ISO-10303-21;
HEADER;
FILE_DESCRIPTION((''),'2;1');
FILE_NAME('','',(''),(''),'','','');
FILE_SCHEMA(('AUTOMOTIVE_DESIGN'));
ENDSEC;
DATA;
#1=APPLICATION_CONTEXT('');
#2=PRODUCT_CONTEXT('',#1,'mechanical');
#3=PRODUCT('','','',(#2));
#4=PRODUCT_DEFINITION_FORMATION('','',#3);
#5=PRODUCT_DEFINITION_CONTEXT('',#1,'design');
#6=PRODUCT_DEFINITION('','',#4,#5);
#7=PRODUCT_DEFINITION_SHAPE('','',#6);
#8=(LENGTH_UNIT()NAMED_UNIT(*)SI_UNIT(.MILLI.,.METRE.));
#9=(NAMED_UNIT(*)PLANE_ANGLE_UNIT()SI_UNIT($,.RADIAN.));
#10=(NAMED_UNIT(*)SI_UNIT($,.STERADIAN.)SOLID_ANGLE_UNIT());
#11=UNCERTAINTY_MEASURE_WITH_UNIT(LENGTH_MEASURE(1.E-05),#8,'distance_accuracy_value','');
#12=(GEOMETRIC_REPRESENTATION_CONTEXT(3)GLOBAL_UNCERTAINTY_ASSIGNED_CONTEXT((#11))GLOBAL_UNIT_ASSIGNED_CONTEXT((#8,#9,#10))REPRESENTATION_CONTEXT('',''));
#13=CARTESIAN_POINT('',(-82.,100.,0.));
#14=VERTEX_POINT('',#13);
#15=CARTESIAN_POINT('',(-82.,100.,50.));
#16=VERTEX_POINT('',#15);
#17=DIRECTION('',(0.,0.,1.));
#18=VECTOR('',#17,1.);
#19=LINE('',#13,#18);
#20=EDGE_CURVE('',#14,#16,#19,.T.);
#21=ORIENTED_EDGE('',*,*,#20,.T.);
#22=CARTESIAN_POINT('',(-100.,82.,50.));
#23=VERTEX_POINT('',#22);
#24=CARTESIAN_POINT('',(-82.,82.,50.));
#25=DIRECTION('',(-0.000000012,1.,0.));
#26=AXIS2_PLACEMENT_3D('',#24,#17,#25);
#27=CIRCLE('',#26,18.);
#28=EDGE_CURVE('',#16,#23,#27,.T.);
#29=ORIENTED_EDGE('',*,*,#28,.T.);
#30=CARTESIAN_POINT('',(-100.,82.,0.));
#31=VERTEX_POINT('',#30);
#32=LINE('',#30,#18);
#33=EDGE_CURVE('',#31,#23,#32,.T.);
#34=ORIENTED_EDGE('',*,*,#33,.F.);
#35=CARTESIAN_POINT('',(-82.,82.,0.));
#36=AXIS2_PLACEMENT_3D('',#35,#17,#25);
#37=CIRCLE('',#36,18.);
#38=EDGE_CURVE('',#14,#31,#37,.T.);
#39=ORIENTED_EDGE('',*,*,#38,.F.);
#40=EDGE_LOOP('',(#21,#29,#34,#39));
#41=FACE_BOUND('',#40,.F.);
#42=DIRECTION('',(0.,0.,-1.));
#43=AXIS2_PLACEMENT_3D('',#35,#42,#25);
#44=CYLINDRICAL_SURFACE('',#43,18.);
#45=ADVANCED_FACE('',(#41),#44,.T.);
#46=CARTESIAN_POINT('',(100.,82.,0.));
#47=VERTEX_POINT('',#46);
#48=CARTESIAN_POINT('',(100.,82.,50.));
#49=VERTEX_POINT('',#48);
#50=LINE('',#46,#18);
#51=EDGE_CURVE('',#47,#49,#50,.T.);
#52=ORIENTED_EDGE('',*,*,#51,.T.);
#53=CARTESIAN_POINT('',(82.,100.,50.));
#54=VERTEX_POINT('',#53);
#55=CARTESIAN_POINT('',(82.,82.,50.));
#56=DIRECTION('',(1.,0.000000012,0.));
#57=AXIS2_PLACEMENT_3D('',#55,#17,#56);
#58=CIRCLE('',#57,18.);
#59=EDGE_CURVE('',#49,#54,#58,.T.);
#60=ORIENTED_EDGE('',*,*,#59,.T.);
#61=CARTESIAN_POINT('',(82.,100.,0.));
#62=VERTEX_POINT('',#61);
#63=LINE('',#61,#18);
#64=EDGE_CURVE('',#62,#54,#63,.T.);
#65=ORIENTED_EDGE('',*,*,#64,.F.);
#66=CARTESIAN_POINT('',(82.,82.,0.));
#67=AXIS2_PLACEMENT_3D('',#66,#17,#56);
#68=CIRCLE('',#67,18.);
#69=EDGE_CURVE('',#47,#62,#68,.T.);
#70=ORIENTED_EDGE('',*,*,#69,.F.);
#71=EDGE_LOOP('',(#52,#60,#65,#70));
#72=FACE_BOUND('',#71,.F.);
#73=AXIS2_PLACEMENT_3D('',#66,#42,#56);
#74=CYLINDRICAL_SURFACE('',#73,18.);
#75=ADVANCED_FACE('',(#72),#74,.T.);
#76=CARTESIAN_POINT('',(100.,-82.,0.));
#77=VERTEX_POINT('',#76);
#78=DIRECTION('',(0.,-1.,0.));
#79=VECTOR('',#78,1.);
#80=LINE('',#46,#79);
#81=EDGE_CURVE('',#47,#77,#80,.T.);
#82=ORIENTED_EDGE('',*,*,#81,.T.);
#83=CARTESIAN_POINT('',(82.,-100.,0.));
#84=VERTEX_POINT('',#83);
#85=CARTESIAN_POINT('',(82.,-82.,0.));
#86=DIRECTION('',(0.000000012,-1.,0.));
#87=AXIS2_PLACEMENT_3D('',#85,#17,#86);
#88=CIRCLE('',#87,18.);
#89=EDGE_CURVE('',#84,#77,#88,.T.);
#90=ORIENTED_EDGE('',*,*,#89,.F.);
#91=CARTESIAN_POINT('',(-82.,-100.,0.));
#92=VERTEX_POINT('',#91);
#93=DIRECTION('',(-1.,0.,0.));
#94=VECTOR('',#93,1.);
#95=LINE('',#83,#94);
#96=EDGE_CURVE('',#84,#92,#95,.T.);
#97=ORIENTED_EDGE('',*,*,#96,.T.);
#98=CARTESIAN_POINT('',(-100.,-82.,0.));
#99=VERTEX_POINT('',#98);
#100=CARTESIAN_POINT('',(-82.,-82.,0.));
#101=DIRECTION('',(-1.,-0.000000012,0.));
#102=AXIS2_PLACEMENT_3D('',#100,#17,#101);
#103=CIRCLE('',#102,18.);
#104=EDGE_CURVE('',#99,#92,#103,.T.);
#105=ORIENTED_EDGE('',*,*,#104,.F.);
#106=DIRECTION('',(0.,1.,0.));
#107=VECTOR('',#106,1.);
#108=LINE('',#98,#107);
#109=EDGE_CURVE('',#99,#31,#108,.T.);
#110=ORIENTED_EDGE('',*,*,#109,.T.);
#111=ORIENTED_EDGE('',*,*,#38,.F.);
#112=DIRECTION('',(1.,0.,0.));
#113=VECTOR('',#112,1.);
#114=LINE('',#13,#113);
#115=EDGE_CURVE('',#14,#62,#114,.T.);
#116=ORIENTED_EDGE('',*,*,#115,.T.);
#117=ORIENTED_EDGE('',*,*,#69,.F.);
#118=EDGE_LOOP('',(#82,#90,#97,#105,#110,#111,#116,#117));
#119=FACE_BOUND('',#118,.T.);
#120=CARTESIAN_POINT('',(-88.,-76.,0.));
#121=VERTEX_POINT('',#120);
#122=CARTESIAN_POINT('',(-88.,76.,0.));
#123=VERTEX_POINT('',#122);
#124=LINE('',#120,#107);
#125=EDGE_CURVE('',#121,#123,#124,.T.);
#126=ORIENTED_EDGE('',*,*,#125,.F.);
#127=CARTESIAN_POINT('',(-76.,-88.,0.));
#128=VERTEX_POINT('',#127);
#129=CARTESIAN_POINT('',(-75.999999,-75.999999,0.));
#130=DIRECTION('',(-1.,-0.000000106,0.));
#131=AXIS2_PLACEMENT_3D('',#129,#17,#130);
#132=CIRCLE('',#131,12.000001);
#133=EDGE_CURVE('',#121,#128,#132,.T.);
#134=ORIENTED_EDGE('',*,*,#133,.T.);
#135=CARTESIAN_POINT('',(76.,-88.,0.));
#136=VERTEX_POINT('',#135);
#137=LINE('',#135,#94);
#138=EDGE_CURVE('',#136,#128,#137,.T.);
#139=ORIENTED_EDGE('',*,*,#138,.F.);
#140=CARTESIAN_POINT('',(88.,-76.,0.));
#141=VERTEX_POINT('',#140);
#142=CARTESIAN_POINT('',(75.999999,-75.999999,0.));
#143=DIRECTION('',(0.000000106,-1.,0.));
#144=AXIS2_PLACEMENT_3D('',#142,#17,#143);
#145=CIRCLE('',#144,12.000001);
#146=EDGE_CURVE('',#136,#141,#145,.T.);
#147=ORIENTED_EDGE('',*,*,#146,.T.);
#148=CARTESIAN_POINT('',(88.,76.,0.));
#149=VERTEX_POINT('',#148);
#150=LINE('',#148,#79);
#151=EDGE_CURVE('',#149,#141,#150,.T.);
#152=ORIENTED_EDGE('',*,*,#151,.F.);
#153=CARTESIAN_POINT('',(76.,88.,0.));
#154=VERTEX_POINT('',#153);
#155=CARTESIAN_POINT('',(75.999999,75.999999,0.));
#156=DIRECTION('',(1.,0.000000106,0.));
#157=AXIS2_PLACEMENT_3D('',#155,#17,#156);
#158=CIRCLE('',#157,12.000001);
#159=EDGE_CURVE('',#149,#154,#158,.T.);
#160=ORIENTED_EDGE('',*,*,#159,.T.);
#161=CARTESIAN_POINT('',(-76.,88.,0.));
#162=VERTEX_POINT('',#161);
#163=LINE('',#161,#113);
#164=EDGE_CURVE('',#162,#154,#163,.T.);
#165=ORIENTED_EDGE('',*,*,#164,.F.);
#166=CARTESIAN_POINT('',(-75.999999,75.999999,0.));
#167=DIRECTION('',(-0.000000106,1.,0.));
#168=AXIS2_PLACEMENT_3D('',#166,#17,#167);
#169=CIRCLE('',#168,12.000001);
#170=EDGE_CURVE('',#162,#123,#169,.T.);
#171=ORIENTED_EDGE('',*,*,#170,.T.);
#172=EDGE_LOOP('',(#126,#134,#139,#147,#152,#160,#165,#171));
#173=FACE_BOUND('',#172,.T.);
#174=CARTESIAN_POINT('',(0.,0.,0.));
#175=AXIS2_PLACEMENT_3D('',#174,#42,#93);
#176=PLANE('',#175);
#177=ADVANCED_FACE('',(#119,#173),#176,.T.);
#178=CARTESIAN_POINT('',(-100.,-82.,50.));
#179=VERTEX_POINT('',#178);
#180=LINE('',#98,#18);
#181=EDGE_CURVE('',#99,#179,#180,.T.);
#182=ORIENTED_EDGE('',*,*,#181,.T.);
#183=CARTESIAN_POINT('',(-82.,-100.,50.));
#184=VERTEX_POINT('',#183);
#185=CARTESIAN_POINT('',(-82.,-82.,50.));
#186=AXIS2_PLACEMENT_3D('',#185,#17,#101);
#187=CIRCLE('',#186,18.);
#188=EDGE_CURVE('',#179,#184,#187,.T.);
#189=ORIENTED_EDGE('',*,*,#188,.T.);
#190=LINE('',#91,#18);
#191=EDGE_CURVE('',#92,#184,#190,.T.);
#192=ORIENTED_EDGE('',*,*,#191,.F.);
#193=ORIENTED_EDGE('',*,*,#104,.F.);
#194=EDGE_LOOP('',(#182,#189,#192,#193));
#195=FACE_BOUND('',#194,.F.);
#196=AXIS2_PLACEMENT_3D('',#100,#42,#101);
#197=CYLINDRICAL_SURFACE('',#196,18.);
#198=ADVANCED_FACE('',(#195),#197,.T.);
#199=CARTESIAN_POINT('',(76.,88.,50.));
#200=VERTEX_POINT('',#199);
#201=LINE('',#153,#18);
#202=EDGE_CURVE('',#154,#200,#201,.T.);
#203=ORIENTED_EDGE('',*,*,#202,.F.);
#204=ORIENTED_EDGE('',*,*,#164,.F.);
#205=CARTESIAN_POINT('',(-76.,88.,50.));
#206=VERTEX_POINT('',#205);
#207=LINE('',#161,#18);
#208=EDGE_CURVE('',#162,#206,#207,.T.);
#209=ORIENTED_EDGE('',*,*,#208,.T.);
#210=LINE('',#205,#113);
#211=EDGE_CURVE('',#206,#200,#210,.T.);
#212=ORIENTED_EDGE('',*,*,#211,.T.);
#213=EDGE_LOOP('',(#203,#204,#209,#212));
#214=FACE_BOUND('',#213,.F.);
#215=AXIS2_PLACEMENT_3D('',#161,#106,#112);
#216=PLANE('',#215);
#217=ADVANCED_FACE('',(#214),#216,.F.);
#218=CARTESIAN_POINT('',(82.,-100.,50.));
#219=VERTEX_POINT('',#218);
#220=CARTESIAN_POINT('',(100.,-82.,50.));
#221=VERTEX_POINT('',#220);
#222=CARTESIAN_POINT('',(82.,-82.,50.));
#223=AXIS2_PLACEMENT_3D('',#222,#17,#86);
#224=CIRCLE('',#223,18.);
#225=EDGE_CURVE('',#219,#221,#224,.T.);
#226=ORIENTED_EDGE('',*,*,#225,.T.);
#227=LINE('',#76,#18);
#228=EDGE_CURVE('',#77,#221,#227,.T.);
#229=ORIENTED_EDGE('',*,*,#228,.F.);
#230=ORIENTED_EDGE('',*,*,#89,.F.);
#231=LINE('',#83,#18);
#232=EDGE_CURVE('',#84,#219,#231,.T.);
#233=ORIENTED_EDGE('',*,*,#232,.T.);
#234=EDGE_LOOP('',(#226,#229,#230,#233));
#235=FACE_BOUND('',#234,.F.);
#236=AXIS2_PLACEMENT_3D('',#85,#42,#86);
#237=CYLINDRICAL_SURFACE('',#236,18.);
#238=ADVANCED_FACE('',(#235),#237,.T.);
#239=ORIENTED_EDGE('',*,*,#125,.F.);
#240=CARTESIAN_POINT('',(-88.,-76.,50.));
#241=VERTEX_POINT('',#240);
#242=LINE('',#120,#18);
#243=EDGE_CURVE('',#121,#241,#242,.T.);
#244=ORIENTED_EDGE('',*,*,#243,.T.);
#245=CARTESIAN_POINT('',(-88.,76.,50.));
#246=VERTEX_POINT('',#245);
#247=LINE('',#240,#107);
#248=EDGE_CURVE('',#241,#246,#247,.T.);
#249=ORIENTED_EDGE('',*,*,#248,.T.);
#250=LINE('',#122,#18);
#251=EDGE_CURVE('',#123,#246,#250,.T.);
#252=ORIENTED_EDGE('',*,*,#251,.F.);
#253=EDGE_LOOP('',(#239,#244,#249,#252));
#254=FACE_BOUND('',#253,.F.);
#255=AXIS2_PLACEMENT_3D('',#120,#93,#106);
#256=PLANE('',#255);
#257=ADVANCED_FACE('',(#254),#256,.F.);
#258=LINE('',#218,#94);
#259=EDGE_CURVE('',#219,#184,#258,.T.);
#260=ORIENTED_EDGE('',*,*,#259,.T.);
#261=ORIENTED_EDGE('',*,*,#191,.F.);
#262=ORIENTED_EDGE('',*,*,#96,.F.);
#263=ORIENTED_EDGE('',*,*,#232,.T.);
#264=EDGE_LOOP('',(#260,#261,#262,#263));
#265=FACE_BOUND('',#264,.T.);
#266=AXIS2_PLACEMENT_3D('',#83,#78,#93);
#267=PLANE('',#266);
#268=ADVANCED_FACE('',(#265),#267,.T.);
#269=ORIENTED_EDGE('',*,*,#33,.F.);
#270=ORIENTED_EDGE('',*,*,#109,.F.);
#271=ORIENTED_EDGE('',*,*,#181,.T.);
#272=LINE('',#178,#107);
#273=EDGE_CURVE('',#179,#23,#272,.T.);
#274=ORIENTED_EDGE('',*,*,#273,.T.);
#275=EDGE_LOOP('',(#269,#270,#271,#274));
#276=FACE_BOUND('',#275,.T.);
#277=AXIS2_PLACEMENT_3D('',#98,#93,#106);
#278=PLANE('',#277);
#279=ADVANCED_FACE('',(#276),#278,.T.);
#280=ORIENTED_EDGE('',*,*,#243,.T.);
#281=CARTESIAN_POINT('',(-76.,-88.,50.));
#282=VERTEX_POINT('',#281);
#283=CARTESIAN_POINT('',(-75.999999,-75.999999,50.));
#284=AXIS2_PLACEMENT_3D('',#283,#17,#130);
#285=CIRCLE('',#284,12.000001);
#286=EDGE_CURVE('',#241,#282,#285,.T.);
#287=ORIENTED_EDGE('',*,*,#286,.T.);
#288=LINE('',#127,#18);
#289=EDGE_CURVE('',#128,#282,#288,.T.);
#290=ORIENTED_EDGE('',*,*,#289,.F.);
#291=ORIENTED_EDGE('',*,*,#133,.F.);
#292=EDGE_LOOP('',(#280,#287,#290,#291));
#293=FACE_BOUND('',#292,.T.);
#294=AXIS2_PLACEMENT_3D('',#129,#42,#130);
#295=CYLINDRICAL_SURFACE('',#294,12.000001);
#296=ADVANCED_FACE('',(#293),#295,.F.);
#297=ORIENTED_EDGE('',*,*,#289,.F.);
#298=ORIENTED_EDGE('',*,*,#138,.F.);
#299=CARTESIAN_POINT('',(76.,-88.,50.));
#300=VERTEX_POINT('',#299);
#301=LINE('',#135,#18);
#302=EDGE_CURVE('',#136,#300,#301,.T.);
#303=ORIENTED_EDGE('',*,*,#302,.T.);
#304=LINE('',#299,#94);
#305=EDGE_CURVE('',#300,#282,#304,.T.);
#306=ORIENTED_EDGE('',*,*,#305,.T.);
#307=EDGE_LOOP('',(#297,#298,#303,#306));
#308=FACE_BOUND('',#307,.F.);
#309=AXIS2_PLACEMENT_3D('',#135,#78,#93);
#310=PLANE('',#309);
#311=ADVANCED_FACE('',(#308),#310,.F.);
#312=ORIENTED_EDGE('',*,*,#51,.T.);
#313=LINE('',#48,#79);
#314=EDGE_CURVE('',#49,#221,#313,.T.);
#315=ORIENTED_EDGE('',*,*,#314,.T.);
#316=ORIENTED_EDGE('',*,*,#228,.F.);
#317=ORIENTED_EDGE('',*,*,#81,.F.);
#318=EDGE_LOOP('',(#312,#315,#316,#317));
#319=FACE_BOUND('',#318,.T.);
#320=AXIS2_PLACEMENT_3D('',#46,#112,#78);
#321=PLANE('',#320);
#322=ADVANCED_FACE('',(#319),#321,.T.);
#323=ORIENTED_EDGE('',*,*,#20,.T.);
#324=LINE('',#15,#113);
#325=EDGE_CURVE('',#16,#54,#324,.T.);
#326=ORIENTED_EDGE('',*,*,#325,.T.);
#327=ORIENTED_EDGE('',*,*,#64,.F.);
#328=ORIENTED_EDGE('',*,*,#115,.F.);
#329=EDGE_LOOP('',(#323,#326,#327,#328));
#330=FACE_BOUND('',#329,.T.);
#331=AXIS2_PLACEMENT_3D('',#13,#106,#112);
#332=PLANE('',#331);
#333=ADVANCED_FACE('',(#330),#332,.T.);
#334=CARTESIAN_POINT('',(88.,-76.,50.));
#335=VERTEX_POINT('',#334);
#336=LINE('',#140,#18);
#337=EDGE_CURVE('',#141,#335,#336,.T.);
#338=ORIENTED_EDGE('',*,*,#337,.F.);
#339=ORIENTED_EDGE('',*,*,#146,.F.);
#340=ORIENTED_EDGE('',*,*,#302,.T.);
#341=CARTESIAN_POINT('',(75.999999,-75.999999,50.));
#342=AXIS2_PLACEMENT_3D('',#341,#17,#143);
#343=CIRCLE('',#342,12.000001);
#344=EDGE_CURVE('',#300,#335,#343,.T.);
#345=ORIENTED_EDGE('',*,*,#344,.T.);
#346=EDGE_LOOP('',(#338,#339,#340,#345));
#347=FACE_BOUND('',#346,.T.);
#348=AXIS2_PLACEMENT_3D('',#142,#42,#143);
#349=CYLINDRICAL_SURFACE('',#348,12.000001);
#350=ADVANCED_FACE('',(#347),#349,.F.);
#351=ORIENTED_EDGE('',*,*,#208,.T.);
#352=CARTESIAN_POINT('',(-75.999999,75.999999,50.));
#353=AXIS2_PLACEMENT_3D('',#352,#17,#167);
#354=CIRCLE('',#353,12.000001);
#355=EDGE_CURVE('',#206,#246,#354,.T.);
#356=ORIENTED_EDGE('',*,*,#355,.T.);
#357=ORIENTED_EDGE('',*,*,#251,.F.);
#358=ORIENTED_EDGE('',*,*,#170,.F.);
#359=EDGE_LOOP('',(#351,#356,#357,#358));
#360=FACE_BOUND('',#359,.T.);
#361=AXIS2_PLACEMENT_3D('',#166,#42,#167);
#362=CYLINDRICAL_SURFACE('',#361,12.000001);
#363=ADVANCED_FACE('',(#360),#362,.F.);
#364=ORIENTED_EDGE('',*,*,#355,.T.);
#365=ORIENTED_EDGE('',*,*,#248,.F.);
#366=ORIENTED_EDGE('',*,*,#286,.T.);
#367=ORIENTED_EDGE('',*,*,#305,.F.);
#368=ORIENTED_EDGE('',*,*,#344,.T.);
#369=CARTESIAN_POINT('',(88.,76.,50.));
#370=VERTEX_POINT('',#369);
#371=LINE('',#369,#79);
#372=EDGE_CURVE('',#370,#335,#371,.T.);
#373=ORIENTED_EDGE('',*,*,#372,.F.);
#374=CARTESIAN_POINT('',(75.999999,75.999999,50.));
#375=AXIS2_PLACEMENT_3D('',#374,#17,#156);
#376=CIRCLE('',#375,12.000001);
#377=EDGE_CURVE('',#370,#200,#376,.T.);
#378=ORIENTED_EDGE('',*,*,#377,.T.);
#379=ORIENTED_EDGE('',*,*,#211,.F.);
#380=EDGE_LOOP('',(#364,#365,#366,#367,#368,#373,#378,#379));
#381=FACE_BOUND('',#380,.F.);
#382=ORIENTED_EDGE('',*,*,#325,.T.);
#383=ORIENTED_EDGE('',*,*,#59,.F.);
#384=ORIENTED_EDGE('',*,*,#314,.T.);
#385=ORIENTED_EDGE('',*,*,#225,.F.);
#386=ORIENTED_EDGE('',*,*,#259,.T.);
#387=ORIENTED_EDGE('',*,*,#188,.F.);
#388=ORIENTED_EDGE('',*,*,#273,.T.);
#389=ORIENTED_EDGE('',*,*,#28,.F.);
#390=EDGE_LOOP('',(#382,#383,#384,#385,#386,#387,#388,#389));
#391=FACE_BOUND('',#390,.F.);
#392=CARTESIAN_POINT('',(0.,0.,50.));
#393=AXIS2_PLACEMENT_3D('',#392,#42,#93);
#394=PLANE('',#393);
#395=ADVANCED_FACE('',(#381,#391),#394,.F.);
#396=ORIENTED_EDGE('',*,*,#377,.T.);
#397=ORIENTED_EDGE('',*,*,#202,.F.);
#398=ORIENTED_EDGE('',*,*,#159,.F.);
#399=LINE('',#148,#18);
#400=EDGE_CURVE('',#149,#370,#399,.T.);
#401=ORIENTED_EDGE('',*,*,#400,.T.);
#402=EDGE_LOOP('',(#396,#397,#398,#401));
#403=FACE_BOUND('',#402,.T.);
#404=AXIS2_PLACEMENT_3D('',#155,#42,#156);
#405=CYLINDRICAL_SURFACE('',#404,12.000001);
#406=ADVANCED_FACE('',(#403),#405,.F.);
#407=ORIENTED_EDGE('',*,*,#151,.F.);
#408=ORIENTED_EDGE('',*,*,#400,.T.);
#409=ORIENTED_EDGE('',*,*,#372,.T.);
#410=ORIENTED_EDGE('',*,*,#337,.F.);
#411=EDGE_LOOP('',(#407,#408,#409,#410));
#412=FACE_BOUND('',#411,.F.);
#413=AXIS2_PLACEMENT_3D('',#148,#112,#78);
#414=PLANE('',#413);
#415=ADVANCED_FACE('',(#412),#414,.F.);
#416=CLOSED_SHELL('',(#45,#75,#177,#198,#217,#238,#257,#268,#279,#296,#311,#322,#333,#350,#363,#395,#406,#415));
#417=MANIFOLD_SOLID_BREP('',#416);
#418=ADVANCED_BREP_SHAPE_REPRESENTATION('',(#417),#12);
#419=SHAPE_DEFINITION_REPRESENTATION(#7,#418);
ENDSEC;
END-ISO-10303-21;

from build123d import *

# Parameters (mm, degrees)
EXTRUDE_DEPTH = 50


with BuildPart() as part:
    # Sketch → Extrude (new body)
    with BuildSketch(Plane.XY):
        with BuildLine():
            Line((-82, 100), (82, 100))
            ThreePointArc((100, 82), (94.727922, 94.727922), (82, 100))
            Line((100, 82), (100, -82))
            ThreePointArc((82, -100), (94.727922, -94.727922), (100, -82))
            Line((82, -100), (-82, -100))
            ThreePointArc((-100, -82), (-94.727922, -94.727922), (-82, -100))
            Line((-100, -82), (-100, 82))
            ThreePointArc((-82, 100), (-94.727922, 94.727922), (-100, 82))
        make_face()
        with BuildLine():
            Line((-76, 88), (76, 88))
            ThreePointArc((88, 76), (84.485281, 84.485281), (76, 88))
            Line((88, 76), (88, -76))
            ThreePointArc((76, -88), (84.485281, -84.485281), (88, -76))
            Line((76, -88), (-76, -88))
            ThreePointArc((-88, -76), (-84.485281, -84.485281), (-76, -88))
            Line((-88, -76), (-88, 76))
            ThreePointArc((-76, 88), (-84.485281, 84.485281), (-88, 76))
        make_face(mode=Mode.SUBTRACT)
    extrude(amount=EXTRUDE_DEPTH)


solid = part.part
